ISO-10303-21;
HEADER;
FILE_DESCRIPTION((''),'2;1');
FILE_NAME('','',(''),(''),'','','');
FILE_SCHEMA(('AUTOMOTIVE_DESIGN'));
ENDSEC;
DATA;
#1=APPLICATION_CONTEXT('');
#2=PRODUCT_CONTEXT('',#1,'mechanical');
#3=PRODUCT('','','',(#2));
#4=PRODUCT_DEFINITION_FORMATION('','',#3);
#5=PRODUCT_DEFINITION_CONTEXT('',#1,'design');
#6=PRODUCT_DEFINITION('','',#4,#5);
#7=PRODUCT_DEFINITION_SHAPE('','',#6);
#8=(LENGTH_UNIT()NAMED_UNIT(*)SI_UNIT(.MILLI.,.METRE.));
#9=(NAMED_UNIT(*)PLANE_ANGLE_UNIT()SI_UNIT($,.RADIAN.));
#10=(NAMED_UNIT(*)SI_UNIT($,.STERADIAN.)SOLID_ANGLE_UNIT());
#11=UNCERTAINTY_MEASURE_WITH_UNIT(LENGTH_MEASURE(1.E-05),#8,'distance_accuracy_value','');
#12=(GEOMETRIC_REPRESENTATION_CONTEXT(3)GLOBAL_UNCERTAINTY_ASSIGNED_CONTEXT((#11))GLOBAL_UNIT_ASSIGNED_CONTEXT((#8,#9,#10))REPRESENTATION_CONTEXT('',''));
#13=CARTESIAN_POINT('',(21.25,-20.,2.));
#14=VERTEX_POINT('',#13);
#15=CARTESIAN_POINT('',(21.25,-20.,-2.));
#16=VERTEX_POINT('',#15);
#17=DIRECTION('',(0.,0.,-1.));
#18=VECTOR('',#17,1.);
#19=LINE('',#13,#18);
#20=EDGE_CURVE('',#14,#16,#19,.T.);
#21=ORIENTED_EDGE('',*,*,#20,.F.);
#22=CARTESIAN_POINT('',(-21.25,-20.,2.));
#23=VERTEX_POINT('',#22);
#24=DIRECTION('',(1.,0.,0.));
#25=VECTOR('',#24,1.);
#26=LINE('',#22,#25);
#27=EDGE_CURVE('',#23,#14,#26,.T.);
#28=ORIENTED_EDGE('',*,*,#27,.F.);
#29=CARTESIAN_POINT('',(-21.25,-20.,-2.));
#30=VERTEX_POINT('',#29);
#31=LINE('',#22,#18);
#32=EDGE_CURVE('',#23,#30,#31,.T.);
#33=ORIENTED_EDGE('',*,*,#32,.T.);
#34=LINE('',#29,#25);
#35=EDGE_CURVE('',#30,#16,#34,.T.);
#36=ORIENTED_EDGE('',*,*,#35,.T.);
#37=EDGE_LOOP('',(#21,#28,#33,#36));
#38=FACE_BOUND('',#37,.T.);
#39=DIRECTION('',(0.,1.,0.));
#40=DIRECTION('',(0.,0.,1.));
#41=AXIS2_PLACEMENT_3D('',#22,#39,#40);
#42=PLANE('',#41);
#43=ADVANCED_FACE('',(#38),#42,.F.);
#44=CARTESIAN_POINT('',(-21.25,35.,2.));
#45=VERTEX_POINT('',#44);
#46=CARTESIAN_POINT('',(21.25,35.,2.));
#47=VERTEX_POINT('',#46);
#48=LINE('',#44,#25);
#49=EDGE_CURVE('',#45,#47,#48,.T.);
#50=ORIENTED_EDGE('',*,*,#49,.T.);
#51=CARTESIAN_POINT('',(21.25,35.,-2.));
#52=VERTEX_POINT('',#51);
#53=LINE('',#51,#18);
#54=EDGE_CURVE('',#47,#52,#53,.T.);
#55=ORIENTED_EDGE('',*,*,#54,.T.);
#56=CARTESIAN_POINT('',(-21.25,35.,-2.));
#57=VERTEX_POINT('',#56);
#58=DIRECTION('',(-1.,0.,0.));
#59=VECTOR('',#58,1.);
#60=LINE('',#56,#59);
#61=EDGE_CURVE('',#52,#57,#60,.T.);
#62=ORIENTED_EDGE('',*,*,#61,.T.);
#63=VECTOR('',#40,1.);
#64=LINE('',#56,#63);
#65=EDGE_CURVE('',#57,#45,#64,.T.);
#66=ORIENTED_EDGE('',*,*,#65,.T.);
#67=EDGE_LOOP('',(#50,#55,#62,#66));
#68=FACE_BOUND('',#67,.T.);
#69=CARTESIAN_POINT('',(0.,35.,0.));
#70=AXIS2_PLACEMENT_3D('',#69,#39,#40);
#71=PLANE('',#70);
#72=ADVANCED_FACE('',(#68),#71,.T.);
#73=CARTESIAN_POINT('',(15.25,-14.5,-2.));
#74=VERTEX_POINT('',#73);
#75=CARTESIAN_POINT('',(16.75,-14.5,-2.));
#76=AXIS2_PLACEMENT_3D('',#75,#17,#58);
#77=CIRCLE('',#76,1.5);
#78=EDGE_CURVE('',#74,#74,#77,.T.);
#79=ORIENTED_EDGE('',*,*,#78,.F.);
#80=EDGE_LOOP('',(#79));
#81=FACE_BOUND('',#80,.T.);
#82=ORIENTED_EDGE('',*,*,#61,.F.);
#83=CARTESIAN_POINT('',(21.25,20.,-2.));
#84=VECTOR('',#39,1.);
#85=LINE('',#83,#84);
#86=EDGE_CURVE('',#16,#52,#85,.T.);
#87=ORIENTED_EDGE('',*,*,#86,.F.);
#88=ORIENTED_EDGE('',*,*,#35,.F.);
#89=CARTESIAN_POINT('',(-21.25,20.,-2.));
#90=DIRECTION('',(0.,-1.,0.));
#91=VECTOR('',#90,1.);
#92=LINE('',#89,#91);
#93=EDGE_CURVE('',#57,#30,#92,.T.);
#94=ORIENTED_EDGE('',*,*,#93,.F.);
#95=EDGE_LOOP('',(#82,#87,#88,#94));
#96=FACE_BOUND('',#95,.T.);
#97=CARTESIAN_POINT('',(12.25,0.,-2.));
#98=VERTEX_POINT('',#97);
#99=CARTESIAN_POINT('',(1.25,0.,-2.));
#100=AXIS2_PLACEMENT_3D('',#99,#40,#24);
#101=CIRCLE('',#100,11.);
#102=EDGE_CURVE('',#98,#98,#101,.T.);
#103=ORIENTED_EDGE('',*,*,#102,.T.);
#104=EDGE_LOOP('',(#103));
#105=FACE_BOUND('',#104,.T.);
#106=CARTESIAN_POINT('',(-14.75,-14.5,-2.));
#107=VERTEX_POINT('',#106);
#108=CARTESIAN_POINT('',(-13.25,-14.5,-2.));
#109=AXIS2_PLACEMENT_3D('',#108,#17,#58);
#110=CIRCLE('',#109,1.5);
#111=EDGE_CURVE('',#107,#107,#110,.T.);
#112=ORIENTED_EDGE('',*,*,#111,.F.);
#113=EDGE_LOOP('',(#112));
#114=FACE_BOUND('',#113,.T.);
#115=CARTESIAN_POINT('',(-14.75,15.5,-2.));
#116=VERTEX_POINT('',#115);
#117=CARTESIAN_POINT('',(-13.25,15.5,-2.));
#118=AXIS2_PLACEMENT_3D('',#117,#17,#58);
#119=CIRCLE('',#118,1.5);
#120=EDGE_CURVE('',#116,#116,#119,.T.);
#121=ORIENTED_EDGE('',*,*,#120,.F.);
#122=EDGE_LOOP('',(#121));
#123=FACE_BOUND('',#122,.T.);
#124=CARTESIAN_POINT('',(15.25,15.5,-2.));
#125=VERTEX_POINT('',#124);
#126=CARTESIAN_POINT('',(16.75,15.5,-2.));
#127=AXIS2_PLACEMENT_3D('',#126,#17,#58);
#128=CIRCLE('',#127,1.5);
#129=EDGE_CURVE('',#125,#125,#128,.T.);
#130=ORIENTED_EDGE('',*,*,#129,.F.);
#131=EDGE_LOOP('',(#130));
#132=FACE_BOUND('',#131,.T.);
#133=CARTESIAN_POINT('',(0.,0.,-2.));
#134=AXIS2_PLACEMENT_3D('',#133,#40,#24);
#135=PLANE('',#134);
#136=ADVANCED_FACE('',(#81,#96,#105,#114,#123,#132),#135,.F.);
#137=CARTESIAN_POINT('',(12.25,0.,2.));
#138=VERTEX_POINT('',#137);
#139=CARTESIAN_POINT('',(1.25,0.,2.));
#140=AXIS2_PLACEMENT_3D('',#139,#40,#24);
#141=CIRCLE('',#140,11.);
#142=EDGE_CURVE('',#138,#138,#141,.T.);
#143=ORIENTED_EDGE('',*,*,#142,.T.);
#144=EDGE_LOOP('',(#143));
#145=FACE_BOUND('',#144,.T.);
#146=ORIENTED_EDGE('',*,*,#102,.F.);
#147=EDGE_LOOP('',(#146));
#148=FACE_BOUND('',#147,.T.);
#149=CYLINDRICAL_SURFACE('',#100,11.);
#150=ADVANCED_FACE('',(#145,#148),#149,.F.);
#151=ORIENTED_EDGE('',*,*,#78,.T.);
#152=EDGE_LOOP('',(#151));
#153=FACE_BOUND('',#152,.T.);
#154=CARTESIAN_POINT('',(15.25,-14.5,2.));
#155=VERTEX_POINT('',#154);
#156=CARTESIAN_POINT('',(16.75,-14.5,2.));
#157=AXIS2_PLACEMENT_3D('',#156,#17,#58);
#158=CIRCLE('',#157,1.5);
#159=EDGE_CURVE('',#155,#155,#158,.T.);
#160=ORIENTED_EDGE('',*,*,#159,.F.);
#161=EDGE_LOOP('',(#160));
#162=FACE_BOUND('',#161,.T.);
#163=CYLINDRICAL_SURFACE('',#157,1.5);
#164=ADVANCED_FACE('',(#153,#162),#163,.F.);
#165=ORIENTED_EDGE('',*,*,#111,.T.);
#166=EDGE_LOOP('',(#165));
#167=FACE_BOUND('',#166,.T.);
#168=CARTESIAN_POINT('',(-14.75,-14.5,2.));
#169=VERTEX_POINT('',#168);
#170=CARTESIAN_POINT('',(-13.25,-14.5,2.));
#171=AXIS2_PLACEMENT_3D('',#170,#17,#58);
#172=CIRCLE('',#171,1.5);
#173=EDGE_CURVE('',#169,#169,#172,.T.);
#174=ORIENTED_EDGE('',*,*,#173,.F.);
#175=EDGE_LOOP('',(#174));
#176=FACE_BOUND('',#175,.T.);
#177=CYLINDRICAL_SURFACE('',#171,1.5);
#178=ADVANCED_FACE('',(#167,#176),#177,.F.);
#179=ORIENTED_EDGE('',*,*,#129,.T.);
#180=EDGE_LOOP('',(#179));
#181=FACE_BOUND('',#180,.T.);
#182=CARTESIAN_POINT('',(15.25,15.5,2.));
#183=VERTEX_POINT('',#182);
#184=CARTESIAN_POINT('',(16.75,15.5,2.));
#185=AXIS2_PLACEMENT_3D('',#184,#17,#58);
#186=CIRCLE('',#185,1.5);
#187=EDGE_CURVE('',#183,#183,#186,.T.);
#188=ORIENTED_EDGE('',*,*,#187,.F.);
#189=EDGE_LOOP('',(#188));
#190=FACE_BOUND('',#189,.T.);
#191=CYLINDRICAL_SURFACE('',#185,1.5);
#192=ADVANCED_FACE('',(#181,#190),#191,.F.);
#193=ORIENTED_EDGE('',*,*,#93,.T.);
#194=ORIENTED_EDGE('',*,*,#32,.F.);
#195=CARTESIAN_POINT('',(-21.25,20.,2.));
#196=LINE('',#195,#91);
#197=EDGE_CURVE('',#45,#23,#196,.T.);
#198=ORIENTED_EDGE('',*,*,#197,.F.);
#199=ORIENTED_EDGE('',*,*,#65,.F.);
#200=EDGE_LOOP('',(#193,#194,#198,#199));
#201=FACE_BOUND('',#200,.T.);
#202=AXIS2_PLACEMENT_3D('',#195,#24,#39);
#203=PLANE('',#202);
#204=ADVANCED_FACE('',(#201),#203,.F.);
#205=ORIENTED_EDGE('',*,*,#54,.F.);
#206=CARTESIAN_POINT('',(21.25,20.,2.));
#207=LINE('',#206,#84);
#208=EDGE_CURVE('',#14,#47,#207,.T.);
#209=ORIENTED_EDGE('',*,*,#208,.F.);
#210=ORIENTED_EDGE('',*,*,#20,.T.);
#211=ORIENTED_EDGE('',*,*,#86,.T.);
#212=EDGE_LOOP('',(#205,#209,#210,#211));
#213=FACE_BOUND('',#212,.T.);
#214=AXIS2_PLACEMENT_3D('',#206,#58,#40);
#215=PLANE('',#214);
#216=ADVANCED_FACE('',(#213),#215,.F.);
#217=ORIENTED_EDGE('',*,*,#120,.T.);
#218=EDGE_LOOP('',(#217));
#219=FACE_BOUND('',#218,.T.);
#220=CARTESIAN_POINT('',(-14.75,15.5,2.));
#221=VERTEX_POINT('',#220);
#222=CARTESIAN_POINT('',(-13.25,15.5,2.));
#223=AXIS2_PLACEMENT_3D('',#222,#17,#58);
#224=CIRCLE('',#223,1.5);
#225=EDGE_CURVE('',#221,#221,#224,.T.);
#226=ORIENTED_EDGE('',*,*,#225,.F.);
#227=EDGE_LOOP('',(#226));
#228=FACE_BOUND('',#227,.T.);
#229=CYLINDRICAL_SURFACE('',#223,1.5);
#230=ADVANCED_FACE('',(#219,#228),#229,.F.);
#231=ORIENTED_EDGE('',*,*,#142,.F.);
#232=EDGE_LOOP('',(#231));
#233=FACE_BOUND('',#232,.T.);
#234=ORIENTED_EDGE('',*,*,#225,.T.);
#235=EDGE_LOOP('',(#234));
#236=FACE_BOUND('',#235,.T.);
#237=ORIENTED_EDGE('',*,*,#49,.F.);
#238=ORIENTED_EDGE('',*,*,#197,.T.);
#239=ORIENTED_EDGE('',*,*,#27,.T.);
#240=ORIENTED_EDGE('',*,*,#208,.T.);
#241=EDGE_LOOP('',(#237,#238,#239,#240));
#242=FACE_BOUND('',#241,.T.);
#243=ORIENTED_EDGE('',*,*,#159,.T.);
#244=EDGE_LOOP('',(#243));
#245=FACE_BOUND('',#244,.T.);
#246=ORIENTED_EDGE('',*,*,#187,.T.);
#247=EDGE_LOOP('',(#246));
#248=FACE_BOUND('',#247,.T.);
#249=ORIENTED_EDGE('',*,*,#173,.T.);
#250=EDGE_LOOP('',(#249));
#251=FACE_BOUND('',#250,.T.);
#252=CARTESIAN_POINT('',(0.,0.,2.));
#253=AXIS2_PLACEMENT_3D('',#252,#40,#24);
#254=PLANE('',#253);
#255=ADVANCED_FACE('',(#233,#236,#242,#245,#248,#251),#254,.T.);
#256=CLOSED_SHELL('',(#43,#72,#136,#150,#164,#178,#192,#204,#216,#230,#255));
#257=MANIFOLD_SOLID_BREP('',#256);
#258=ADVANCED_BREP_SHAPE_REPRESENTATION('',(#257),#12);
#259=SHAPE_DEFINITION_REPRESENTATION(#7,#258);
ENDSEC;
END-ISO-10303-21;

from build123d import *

# Parameters (mm, degrees)
SKETCH1_W           = 42.5
SKETCH1_H           = 40
BOSS_EXTRUDE1_DEPTH = 2
SKETCH2_R           = 1.5
CUT_EXTRUDE1_DEPTH  = 4
SKETCH3_R           = 11
CUT_EXTRUDE2_DEPTH  = 4
SKETCH4_W           = 42.5
SKETCH4_H           = 4
BOSS_EXTRUDE2_DEPTH = 15


with BuildPart() as part:
    # Sketch1 → Boss-Extrude1 (new, symmetric)
    with BuildSketch(Plane.XY):
        Rectangle(SKETCH1_W, SKETCH1_H)
    extrude(amount=BOSS_EXTRUDE1_DEPTH, both=True)

    # Sketch2 → Cut-Extrude1 (cut)
    with BuildSketch(Plane(origin=(0, 0, -2), x_dir=(-1, 0, 0), z_dir=(0, 0, -1))):
        with Locations((-16.75, 15.5)):
            Circle(SKETCH2_R)
        with Locations((13.25, 15.5)):
            Circle(SKETCH2_R)
        with Locations((13.25, -14.5)):
            Circle(SKETCH2_R)
        with Locations((-16.75, -14.5)):
            Circle(SKETCH2_R)
    extrude(amount=-CUT_EXTRUDE1_DEPTH, mode=Mode.SUBTRACT)

    # Sketch3 → Cut-Extrude2 (cut)
    with BuildSketch(Plane.XY.offset(2)):
        with Locations((1.25, 0)):
            Circle(SKETCH3_R)
    extrude(amount=-CUT_EXTRUDE2_DEPTH, mode=Mode.SUBTRACT)

    # Sketch4 → Boss-Extrude2 (add)
    with BuildSketch(Plane(origin=(0, 20, 0), x_dir=(1, 0, 0), z_dir=(0, 1, 0))):
        Rectangle(SKETCH4_W, SKETCH4_H)
    extrude(amount=BOSS_EXTRUDE2_DEPTH)


solid = part.part
